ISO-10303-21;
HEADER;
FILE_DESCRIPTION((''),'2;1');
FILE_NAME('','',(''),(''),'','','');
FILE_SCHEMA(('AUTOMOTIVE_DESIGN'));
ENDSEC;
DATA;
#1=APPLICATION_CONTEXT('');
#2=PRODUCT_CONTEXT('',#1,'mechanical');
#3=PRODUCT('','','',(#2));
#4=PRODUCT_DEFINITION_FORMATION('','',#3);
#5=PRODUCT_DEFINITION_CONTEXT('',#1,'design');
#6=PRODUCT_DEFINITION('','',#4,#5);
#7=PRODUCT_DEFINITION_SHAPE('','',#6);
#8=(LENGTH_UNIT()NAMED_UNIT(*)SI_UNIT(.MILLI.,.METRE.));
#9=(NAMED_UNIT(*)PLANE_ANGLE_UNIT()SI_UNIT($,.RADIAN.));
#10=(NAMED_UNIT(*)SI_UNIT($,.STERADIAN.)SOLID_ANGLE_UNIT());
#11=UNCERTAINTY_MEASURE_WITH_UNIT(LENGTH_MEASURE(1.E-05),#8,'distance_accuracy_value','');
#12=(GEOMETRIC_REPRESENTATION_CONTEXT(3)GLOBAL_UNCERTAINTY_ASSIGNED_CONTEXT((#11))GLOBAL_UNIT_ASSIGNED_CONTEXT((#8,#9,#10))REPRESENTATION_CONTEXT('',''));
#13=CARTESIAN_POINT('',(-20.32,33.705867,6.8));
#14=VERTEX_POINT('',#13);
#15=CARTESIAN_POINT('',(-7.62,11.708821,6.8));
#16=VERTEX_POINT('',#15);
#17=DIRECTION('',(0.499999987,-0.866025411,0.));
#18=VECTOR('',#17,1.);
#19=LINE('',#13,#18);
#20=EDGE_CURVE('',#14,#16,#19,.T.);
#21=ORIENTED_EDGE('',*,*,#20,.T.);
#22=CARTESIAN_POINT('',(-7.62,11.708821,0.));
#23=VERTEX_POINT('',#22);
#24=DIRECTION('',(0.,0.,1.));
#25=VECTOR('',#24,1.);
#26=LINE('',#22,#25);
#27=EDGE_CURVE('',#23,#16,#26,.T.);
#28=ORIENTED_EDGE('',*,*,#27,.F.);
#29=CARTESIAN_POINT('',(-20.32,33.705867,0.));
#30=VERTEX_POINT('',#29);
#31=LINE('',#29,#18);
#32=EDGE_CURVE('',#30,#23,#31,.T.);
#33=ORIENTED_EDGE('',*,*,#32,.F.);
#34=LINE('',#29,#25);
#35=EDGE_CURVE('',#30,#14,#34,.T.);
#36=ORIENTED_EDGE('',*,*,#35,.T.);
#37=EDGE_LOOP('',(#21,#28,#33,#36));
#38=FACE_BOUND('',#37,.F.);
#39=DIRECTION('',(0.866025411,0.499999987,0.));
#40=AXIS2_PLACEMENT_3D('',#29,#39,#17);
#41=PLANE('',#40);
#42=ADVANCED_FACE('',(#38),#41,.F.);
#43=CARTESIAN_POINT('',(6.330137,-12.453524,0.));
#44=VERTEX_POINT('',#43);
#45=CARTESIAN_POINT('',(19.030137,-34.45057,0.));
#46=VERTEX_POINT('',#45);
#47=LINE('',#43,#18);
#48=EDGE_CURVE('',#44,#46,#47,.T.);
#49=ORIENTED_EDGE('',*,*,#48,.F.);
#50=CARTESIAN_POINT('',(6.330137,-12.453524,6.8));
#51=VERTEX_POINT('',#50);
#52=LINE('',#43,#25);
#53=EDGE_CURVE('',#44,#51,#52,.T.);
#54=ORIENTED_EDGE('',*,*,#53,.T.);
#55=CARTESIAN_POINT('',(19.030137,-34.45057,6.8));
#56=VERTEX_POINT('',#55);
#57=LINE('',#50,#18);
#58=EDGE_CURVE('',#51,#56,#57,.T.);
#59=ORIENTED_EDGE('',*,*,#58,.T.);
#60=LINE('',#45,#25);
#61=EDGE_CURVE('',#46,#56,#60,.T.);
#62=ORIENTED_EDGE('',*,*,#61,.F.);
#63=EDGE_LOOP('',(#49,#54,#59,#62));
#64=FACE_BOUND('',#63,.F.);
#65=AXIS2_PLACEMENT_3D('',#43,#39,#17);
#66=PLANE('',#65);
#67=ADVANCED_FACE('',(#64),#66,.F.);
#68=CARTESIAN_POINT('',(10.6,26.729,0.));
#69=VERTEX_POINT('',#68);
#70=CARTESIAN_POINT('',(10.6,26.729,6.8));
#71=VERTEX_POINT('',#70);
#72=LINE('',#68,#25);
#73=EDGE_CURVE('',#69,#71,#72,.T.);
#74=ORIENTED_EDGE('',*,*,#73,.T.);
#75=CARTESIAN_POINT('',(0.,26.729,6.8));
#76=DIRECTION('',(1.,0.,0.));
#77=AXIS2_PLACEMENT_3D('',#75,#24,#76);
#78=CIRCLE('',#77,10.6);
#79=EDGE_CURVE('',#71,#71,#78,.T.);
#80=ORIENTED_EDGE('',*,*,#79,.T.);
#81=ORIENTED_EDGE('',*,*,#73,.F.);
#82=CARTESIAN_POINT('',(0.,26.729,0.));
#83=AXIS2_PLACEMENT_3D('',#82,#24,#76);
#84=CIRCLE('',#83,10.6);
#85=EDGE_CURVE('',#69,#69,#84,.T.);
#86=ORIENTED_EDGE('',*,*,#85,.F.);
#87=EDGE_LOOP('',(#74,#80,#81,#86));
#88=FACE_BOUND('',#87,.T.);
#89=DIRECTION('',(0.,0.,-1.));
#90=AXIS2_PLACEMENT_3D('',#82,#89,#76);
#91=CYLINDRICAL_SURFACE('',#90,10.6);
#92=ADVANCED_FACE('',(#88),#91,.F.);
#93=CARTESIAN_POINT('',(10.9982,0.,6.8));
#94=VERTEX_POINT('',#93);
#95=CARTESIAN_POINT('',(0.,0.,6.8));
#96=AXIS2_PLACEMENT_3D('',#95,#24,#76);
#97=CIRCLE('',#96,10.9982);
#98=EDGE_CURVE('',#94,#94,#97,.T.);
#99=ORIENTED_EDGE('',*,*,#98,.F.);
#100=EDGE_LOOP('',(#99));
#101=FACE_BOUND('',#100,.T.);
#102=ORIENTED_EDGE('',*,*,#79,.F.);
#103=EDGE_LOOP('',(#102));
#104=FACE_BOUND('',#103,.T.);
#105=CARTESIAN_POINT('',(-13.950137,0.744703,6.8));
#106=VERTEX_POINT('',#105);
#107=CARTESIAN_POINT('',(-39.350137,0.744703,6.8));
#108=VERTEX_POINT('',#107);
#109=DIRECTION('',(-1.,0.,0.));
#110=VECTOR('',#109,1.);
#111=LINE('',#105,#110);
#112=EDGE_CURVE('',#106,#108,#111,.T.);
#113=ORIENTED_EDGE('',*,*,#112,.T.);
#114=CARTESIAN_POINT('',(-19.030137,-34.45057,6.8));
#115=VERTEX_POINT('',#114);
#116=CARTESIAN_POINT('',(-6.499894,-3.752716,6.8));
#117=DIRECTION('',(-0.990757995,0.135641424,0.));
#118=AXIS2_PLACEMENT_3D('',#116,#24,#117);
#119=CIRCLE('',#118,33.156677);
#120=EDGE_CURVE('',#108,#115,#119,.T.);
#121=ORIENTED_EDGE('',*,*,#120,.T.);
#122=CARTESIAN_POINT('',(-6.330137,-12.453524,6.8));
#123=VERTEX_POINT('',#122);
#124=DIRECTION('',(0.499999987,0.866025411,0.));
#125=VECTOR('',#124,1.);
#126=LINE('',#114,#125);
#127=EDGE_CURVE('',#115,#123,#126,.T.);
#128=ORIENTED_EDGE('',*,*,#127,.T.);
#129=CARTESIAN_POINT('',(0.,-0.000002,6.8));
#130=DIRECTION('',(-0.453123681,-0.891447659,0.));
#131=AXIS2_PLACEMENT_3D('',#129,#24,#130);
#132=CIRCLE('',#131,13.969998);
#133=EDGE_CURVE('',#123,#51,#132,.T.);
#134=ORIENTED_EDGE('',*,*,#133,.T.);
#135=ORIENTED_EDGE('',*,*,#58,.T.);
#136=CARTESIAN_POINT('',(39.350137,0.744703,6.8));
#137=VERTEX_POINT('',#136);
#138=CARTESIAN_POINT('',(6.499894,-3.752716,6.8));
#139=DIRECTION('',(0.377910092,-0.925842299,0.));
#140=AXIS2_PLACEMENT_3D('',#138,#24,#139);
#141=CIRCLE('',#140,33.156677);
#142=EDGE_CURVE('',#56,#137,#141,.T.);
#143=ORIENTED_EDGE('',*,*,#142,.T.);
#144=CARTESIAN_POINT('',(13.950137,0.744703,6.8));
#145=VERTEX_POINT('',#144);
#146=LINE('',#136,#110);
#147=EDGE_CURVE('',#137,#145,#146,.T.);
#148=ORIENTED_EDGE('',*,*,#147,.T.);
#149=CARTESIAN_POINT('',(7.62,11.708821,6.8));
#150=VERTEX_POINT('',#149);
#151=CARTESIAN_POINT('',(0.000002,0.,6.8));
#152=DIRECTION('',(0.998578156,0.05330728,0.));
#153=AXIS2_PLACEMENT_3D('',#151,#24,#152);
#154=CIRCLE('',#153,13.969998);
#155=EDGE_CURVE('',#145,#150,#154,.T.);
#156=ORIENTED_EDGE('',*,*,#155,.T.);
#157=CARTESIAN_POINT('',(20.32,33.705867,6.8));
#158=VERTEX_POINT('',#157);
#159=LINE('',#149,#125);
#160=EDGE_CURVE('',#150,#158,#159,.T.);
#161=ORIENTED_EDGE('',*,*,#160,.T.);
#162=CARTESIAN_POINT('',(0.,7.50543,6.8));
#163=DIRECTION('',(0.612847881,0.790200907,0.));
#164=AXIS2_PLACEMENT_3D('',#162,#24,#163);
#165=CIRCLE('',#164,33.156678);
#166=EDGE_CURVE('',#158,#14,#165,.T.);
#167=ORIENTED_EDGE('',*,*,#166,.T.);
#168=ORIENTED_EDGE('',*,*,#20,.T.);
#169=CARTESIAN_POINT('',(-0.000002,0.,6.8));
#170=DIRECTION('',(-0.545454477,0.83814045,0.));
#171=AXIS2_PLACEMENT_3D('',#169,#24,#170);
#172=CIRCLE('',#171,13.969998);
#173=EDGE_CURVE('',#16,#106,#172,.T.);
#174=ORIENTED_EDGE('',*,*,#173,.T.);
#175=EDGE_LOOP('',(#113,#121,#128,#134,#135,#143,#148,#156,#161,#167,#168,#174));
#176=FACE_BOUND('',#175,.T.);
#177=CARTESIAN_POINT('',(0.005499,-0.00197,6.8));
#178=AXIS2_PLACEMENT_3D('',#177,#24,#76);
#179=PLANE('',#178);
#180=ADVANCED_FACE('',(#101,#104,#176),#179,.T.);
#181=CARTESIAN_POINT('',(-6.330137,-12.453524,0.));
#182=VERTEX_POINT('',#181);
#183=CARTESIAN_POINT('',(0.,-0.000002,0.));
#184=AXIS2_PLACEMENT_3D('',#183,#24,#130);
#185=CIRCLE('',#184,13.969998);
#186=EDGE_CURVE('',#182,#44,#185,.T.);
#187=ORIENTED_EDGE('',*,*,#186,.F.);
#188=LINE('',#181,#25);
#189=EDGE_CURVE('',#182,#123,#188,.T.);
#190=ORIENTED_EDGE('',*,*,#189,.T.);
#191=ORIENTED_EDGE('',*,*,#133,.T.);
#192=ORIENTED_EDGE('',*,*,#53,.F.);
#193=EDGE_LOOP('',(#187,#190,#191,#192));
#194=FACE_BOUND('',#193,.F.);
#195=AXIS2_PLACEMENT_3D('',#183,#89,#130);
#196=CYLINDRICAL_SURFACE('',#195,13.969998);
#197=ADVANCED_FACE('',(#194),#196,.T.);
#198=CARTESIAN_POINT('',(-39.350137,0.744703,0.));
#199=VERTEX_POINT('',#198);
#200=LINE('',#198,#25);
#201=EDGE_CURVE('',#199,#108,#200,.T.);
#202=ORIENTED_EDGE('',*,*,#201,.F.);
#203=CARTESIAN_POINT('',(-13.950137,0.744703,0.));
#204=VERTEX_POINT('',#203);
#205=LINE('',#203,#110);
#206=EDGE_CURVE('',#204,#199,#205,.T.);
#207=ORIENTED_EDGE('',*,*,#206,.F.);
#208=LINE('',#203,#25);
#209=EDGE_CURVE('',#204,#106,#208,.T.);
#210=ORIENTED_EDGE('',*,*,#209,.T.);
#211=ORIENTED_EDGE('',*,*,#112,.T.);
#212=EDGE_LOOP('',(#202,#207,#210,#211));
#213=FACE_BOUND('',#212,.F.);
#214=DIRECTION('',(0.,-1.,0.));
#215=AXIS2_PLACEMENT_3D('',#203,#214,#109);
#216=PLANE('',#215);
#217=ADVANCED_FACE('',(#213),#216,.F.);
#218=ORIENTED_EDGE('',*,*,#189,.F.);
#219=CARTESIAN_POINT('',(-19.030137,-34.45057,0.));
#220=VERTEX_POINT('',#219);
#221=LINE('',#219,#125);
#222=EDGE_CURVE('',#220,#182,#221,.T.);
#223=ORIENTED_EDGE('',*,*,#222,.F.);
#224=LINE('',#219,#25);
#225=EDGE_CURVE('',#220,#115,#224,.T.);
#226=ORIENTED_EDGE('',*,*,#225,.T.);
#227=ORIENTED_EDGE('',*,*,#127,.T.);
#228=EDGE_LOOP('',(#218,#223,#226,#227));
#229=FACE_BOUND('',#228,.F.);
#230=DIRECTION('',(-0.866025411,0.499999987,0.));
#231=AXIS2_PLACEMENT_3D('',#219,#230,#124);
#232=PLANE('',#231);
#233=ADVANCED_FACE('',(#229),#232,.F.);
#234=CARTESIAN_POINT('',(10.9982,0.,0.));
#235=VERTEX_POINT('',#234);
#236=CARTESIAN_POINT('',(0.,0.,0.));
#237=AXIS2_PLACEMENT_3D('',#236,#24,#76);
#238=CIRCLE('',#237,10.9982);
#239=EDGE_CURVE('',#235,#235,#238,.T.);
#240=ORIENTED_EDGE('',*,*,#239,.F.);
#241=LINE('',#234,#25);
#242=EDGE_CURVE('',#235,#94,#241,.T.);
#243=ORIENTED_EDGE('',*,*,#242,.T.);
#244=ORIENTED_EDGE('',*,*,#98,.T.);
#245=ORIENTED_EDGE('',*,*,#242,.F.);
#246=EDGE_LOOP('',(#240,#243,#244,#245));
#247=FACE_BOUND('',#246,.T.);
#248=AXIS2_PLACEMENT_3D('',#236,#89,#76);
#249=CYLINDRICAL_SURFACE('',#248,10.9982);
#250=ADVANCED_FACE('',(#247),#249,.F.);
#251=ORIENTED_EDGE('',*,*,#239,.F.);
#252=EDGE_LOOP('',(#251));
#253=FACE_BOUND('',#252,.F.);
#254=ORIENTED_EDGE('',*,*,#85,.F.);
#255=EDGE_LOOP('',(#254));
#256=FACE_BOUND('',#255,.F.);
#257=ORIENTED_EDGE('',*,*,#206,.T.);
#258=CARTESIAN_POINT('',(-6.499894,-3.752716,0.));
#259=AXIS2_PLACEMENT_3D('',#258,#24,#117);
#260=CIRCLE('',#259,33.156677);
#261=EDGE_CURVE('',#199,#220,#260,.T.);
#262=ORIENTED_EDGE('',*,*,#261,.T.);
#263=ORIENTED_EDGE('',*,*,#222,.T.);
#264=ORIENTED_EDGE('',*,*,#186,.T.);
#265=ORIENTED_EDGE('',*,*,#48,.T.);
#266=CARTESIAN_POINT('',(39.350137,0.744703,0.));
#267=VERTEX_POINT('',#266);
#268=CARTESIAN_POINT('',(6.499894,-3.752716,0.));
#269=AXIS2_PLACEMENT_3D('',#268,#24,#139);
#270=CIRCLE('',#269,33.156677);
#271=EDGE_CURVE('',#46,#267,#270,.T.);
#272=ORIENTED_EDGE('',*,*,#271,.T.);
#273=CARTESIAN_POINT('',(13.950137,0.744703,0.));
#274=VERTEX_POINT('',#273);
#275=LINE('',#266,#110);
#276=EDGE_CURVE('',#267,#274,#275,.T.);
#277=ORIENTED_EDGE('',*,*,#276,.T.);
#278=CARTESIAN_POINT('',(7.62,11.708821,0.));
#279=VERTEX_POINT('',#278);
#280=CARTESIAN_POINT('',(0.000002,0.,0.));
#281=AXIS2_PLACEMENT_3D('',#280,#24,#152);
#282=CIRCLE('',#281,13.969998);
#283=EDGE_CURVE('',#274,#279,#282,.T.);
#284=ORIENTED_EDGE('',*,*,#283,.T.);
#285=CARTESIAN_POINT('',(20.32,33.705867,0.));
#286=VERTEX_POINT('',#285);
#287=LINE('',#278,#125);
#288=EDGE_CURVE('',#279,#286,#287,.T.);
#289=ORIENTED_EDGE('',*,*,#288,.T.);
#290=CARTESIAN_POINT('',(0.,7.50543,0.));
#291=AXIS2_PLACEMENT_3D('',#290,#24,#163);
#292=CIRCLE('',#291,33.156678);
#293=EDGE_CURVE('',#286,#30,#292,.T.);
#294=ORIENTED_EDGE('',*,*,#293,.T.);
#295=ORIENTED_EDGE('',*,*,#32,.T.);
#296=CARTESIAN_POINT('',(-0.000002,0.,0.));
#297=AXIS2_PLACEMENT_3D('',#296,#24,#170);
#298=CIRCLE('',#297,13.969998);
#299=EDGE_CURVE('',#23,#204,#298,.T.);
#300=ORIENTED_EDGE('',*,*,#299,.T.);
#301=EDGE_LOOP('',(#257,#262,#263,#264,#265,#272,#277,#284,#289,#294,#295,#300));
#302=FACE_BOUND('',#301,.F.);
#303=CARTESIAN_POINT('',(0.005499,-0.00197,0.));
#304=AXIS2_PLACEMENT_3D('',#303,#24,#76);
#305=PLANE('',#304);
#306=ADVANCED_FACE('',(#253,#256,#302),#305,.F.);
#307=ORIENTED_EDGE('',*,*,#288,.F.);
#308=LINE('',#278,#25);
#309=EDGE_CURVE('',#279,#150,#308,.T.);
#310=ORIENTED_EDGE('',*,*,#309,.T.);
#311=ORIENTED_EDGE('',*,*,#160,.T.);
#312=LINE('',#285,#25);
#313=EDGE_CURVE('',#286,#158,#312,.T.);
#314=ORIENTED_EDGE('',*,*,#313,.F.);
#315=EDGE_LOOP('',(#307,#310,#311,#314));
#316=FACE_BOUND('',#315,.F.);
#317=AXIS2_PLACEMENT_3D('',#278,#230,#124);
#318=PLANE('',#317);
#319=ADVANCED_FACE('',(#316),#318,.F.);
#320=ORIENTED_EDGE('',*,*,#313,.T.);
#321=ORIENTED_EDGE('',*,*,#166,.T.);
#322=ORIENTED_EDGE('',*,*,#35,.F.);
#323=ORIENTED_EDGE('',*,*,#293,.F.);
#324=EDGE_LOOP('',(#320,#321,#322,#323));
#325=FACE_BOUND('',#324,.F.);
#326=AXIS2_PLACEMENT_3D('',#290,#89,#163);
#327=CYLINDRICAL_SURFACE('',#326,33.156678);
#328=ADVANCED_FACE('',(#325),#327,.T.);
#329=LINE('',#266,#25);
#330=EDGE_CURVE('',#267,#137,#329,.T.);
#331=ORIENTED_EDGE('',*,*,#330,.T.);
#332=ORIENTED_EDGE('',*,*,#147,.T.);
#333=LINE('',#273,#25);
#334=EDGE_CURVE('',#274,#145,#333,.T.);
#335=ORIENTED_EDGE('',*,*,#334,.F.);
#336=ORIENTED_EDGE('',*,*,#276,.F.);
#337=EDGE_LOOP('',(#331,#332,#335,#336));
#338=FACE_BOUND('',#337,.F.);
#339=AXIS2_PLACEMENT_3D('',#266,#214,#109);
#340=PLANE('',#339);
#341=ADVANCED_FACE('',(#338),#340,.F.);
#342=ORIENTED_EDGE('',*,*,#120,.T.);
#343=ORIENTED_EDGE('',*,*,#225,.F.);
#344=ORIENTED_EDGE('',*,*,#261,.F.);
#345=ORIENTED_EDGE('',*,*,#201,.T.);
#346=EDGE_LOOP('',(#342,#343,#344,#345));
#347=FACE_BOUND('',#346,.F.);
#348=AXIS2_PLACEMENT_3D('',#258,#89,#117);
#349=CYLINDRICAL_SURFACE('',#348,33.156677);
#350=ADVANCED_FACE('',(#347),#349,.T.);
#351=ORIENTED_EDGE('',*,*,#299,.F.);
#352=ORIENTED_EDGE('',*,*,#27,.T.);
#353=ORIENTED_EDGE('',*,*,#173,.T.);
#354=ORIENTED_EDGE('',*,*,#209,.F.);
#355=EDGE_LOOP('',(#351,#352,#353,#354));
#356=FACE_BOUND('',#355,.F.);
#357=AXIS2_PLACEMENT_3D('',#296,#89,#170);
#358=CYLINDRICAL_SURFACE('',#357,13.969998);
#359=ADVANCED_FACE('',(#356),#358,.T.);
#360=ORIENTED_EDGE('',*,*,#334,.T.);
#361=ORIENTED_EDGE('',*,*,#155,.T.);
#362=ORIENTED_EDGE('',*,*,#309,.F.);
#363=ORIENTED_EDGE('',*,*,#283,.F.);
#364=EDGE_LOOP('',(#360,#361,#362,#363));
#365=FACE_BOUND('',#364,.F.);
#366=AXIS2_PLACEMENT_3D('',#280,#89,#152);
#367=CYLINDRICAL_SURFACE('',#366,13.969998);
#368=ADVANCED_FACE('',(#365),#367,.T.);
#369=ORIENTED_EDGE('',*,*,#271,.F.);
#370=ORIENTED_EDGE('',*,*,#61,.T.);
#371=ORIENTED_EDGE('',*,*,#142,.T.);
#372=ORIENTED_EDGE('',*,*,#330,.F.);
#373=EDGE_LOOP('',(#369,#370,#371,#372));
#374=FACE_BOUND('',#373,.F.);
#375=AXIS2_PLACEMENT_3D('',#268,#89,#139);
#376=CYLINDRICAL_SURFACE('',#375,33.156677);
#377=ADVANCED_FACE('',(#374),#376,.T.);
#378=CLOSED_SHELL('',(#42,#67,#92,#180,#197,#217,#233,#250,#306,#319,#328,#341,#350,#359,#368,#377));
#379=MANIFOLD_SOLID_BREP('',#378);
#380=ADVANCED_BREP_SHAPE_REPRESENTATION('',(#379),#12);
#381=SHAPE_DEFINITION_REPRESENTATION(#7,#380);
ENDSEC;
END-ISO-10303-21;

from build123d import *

# Parameters (mm, degrees)
F0_R     = 10.9982
F0_R_2   = 10.6
F1_DEPTH = 6.8


with BuildPart() as f1:
    # F0 (on Top) → F1 (new body)
    with BuildSketch(Plane.XY):
        with BuildLine():
            ThreePointArc((6.330137, -12.453524), (11.907832, -7.305097), (13.97, 0))
            ThreePointArc((13.97, 0), (13.965033, 0.372484), (13.950137, 0.744703))
            ThreePointArc((13.950137, 0.744703), (12.098375, 6.985), (7.62, 11.708821))
            ThreePointArc((7.62, 11.708821), (0, 13.97), (-7.62, 11.708821))
            ThreePointArc((-7.62, 11.708821), (-12.098375, 6.985), (-13.950137, 0.744703))
            ThreePointArc((-13.950137, 0.744703), (-12.098375, -6.985), (-6.330137, -12.453524))
            ThreePointArc((-6.330137, -12.453524), (0, -13.97), (6.330137, -12.453524))
        make_face()
        Circle(F0_R, mode=Mode.SUBTRACT)
        with BuildLine():
            ThreePointArc((13.950137, 0.744703), (13.965033, 0.372484), (13.97, 0))
            ThreePointArc((13.97, 0), (11.907832, -7.305097), (6.330137, -12.453524))
            Line((6.330137, -12.453524), (19.030137, -34.45057))
            ThreePointArc((19.030137, -34.45057), (35.214419, -20.331054), (39.350137, 0.744703))
            Line((39.350137, 0.744703), (13.950137, 0.744703))
        make_face()
        with BuildLine():
            ThreePointArc((-7.62, 11.708821), (0, 13.97), (7.62, 11.708821))
            Line((7.62, 11.708821), (20.32, 33.705867))
            ThreePointArc((20.32, 33.705867), (0, 40.662108), (-20.32, 33.705867))
            Line((-20.32, 33.705867), (-7.62, 11.708821))
        make_face()
        with Locations((0, 26.729)):
            Circle(F0_R_2, mode=Mode.SUBTRACT)
        with BuildLine():
            Line((-19.030137, -34.45057), (-6.330137, -12.453524))
            ThreePointArc((-6.330137, -12.453524), (-12.098375, -6.985), (-13.950137, 0.744703))
            Line((-13.950137, 0.744703), (-39.350137, 0.744703))
            ThreePointArc((-39.350137, 0.744703), (-35.214419, -20.331054), (-19.030137, -34.45057))
        make_face()
    extrude(amount=F1_DEPTH)


solid = f1.part
